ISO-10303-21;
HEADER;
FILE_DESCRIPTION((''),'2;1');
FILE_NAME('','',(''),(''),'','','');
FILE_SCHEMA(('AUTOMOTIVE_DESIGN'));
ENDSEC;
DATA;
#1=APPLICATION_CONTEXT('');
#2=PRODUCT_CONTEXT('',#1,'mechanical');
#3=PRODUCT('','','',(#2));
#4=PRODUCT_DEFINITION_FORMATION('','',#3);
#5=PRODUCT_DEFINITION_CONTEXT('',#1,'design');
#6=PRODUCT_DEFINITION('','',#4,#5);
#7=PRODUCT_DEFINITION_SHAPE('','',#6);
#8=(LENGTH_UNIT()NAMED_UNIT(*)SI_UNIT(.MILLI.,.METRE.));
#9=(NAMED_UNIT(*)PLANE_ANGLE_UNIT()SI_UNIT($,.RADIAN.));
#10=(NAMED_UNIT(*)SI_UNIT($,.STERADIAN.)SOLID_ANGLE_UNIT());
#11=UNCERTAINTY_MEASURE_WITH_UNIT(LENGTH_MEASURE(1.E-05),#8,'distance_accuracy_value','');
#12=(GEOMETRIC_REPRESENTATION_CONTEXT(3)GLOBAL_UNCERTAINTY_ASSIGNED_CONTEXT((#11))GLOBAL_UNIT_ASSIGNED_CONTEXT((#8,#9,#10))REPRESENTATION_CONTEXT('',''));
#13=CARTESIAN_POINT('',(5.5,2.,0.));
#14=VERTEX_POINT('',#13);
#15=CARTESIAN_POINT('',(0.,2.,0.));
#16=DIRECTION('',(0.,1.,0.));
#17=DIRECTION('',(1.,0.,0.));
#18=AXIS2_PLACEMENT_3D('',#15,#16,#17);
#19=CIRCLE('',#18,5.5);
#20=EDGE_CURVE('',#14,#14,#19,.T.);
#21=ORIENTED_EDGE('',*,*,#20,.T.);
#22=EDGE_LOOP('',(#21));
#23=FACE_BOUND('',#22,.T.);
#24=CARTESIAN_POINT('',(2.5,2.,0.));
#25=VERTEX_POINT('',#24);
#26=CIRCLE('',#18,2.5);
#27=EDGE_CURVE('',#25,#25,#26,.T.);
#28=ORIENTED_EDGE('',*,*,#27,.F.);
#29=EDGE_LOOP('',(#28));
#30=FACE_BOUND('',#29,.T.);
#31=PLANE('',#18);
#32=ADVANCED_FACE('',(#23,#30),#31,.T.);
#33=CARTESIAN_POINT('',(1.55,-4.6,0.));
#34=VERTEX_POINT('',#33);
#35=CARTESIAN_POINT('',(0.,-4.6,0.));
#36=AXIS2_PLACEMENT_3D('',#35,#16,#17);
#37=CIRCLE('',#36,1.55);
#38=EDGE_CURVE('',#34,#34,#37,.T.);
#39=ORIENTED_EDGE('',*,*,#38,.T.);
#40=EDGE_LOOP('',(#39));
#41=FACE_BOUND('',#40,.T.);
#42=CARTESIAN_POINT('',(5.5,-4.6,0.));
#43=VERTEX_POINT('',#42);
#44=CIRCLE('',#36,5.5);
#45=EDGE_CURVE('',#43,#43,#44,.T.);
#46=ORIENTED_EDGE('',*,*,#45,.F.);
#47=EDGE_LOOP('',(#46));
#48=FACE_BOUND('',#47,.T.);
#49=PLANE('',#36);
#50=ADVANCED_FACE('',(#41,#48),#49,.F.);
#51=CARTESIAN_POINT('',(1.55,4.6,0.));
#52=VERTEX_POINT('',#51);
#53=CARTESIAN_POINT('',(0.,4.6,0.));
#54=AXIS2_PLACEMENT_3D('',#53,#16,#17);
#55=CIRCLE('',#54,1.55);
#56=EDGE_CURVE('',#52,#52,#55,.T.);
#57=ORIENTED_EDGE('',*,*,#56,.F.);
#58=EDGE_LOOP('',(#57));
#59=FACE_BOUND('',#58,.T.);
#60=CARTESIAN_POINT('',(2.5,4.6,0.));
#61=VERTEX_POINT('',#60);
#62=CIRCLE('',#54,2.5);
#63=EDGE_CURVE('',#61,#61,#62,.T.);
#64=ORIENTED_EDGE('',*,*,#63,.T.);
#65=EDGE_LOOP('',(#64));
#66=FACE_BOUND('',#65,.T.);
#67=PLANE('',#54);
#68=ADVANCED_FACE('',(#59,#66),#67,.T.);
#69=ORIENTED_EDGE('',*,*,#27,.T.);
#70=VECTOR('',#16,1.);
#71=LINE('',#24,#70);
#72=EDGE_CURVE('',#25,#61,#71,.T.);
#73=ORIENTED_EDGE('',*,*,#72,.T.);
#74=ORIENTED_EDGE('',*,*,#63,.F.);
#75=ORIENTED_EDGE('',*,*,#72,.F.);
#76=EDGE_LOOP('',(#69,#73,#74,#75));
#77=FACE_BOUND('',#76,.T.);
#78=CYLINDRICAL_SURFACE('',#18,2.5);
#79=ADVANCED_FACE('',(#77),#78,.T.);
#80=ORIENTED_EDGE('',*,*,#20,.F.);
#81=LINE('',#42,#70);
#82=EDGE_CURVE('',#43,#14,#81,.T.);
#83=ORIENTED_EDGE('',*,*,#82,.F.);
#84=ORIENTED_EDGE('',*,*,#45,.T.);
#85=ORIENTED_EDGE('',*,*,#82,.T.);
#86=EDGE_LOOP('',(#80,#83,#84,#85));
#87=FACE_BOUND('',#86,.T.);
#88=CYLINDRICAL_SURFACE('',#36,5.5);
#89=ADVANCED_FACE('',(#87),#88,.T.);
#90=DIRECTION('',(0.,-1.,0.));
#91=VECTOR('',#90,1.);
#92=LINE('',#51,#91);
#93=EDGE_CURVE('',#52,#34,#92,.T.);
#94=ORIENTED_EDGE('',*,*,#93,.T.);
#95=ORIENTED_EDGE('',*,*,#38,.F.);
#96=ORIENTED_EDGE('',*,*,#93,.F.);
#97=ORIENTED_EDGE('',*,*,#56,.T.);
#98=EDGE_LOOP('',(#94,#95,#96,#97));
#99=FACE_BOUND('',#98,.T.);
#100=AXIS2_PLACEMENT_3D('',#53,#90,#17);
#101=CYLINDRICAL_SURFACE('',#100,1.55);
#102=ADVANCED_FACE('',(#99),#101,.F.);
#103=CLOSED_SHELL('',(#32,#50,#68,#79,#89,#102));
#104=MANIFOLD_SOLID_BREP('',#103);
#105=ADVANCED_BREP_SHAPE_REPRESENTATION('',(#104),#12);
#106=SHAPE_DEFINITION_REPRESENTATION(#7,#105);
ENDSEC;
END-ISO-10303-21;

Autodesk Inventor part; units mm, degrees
ref_plane "YZ Plane" through (0, 0, 0) normal (1, 0, 0) x (0, 1, 0)
ref_plane "XZ Plane" through (0, 0, 0) normal (0, 1, 0) x (-1, 0, 0)
ref_plane "XY Plane" through (0, 0, 0) normal (0, 0, 1) x (1, 0, 0)
sketch "スケッチ1" plane through (0, 0, 0) normal (0, 0, 1) x (1, 0, 0)
  line L0 (1.55, 4.6) -> (1.55, -4.6)
  line L1 (1.55, -4.6) -> (5.5, -4.6)
  line L2 (5.5, -4.6) -> (5.5, 2)
  line L3 (5.5, 2) -> (2.5, 2)
  line L4 (2.5, 2) -> (2.5, 4.6)
  line L5 (2.5, 4.6) -> (1.55, 4.6)
  line L6 (0, -6.44) -> (0, 6.44) projected
  point P0 (0, 0)
  point P1 (1.55, 0)
  dimension "d0" = 1.55
  dimension "d1" = 2.5
  dimension "d2" = 2.6
  dimension "d3" = 5.5
  dimension "d4" = 6.6
revolve "回転1" add sketch "スケッチ1" angle 360 about axis through (0, -10, 0) along (0, 1, 0)
properties part number "足裏_サブフレーム_1_2" material "アセタール樹脂、黒"
